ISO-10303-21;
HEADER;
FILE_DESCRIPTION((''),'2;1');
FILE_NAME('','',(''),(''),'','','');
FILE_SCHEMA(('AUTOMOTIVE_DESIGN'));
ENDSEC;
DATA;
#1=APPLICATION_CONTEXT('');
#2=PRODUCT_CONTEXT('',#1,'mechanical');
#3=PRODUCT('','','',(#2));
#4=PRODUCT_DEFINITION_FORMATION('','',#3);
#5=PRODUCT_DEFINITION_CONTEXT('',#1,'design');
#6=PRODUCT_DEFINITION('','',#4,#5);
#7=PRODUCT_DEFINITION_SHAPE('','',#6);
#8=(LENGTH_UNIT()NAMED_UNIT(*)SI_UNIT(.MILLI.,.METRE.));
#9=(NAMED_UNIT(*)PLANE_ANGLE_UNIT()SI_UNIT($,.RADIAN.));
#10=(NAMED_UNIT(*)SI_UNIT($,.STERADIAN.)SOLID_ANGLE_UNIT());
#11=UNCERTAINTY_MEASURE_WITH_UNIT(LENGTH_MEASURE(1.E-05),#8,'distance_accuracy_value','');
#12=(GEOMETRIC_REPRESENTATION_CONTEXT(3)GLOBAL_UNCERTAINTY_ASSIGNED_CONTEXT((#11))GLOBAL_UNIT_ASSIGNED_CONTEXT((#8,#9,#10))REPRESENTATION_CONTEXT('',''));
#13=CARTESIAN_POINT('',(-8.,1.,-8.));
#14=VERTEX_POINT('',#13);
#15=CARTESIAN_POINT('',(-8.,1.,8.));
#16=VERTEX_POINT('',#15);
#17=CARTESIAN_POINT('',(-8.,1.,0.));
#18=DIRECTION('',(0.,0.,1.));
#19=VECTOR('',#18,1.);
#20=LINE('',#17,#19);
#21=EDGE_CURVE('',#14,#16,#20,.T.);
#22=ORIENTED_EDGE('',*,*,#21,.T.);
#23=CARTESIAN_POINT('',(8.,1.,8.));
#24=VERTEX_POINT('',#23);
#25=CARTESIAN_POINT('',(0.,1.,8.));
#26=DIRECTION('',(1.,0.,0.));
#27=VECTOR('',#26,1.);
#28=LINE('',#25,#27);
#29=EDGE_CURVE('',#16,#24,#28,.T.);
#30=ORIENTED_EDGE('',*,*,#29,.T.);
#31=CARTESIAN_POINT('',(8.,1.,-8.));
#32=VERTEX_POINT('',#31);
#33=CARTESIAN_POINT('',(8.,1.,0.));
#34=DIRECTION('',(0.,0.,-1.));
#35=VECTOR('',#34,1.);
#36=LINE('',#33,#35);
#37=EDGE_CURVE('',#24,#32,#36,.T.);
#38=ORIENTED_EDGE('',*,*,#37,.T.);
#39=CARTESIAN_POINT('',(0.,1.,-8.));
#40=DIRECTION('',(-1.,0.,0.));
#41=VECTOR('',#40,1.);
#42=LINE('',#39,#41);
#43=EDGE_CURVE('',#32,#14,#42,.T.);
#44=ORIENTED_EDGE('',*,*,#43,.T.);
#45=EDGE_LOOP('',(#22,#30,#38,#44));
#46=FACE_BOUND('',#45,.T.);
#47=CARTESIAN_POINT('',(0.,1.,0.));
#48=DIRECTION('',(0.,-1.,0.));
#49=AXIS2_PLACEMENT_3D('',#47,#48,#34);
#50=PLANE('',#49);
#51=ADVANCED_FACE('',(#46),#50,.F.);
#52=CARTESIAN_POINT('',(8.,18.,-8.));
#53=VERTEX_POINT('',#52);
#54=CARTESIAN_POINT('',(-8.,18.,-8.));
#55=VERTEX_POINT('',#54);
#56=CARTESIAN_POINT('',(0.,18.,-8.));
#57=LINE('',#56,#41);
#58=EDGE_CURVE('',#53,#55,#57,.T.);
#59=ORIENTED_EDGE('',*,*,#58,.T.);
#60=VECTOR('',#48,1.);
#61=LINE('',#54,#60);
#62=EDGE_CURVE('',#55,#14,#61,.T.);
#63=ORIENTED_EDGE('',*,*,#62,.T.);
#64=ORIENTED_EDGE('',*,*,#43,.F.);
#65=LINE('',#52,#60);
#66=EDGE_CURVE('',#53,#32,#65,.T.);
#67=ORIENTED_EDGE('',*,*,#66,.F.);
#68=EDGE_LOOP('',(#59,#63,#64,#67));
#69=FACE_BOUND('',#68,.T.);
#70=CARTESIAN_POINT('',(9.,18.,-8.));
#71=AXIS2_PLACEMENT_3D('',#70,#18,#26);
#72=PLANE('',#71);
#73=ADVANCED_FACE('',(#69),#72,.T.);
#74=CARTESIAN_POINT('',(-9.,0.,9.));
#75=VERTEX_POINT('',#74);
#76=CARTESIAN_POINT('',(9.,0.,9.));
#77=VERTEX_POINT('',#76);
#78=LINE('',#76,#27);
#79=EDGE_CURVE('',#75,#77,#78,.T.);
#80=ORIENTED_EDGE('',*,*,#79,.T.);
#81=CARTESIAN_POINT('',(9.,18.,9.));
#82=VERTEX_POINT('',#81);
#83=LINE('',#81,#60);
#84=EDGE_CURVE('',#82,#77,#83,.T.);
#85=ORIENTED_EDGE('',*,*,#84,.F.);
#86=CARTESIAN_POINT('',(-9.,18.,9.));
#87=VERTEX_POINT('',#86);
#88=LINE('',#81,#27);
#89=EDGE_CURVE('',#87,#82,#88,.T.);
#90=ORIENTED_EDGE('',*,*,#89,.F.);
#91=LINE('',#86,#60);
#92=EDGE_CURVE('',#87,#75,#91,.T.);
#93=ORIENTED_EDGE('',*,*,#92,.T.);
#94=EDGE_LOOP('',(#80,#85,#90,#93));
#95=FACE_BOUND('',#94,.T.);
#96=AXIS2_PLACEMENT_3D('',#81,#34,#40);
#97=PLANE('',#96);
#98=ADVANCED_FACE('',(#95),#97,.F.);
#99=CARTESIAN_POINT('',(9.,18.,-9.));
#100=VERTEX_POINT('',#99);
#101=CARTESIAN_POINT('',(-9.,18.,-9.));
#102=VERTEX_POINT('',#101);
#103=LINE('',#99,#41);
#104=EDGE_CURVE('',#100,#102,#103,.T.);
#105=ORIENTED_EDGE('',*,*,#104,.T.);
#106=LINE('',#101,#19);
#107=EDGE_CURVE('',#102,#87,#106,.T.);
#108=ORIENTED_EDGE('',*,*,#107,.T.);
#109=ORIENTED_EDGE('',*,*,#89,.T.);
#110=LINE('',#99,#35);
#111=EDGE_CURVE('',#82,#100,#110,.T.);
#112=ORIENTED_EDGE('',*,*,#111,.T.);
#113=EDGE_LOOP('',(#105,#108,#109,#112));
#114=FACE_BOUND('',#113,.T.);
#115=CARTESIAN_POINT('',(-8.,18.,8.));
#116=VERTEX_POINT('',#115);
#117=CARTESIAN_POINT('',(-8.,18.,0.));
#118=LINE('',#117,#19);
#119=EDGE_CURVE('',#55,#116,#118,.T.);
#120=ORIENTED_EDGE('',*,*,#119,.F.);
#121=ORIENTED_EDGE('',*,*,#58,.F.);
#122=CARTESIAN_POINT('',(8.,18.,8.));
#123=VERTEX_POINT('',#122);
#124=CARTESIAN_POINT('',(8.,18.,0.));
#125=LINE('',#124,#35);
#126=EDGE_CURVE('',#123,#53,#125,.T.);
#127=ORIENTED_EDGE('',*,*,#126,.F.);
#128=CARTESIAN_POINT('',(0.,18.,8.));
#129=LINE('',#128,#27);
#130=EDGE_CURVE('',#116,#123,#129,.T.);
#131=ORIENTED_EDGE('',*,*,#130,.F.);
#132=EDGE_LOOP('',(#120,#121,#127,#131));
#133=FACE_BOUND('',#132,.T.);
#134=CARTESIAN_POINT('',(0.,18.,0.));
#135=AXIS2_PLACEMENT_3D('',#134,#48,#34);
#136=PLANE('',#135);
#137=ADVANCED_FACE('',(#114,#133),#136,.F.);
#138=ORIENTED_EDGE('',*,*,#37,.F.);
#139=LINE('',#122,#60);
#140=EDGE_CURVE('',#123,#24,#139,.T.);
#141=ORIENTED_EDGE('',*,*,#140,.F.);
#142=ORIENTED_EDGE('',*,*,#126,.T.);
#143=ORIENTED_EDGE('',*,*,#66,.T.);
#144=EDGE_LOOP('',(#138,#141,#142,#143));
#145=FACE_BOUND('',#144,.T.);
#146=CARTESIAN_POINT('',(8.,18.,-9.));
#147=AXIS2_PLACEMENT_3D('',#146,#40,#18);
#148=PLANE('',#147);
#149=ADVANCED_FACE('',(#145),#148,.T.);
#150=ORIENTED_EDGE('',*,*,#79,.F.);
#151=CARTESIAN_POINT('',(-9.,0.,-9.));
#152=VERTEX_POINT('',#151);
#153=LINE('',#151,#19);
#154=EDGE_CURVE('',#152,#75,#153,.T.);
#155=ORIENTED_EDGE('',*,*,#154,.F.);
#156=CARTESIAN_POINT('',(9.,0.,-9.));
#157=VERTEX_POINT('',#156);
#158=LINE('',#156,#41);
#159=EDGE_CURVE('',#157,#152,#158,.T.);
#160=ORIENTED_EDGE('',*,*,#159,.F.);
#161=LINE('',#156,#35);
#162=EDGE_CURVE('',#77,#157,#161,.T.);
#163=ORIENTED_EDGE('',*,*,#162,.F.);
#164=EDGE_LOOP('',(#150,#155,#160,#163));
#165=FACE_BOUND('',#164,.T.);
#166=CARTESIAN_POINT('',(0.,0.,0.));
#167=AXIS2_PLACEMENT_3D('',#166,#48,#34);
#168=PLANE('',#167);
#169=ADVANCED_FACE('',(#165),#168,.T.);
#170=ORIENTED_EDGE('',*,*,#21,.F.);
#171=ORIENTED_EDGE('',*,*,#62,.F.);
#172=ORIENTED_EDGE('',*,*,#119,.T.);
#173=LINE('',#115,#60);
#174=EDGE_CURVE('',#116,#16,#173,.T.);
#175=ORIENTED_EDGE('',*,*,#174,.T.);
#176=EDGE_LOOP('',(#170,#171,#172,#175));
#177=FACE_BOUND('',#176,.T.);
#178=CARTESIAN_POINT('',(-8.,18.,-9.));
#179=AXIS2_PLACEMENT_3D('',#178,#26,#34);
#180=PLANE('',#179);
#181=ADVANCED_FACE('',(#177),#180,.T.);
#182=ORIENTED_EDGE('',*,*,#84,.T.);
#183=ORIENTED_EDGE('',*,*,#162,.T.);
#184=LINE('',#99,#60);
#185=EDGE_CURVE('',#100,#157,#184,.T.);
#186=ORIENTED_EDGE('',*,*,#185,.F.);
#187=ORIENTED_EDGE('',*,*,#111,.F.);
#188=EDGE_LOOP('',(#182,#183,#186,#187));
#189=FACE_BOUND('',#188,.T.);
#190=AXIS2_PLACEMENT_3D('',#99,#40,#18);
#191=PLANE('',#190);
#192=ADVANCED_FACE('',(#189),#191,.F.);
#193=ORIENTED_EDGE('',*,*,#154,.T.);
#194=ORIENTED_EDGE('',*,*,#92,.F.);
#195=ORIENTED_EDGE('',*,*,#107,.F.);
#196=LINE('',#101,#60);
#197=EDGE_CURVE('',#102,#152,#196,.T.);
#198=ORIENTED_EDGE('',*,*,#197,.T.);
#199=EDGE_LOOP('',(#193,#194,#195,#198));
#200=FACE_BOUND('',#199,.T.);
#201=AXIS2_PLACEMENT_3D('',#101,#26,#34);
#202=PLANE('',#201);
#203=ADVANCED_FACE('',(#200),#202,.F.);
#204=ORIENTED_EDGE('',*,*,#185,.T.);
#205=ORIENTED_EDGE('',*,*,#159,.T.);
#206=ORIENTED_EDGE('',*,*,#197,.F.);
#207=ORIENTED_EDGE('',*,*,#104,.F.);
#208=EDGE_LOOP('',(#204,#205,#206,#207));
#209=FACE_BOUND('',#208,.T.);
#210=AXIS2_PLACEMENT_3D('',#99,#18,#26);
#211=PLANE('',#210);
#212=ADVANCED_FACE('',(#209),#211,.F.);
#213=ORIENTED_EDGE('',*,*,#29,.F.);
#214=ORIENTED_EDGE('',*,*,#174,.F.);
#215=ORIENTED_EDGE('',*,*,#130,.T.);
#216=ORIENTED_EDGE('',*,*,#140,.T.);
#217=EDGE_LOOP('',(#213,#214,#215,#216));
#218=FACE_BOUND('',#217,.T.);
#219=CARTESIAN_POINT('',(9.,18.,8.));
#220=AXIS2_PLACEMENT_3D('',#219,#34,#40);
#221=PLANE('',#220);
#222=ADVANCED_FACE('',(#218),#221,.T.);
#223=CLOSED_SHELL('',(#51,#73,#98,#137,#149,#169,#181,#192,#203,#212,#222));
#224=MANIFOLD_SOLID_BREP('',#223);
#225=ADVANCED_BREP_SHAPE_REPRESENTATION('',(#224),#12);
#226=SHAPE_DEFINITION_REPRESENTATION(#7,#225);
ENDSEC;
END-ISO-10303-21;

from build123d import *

# Parameters (mm, degrees)
SKETCH1_W           = 18
SKETCH1_H           = 18
BOSS_EXTRUDE1_DEPTH = 18
SHELL1_T            = -1


with BuildPart() as part:
    # Sketch1 → Boss-Extrude1 (new body)
    with BuildSketch(Plane(origin=(0, 0, 0), x_dir=(1, 0, 0), z_dir=(0, 1, 0))):
        Rectangle(SKETCH1_W, SKETCH1_H)
    extrude(amount=BOSS_EXTRUDE1_DEPTH)

    # Shell1
    shell1_openings = [part.faces().sort_by_distance(p)[0] for p in [
        (0, 18, 0),
    ]]
    offset(amount=SHELL1_T, openings=shell1_openings, kind=Kind.INTERSECTION)


solid = part.part
